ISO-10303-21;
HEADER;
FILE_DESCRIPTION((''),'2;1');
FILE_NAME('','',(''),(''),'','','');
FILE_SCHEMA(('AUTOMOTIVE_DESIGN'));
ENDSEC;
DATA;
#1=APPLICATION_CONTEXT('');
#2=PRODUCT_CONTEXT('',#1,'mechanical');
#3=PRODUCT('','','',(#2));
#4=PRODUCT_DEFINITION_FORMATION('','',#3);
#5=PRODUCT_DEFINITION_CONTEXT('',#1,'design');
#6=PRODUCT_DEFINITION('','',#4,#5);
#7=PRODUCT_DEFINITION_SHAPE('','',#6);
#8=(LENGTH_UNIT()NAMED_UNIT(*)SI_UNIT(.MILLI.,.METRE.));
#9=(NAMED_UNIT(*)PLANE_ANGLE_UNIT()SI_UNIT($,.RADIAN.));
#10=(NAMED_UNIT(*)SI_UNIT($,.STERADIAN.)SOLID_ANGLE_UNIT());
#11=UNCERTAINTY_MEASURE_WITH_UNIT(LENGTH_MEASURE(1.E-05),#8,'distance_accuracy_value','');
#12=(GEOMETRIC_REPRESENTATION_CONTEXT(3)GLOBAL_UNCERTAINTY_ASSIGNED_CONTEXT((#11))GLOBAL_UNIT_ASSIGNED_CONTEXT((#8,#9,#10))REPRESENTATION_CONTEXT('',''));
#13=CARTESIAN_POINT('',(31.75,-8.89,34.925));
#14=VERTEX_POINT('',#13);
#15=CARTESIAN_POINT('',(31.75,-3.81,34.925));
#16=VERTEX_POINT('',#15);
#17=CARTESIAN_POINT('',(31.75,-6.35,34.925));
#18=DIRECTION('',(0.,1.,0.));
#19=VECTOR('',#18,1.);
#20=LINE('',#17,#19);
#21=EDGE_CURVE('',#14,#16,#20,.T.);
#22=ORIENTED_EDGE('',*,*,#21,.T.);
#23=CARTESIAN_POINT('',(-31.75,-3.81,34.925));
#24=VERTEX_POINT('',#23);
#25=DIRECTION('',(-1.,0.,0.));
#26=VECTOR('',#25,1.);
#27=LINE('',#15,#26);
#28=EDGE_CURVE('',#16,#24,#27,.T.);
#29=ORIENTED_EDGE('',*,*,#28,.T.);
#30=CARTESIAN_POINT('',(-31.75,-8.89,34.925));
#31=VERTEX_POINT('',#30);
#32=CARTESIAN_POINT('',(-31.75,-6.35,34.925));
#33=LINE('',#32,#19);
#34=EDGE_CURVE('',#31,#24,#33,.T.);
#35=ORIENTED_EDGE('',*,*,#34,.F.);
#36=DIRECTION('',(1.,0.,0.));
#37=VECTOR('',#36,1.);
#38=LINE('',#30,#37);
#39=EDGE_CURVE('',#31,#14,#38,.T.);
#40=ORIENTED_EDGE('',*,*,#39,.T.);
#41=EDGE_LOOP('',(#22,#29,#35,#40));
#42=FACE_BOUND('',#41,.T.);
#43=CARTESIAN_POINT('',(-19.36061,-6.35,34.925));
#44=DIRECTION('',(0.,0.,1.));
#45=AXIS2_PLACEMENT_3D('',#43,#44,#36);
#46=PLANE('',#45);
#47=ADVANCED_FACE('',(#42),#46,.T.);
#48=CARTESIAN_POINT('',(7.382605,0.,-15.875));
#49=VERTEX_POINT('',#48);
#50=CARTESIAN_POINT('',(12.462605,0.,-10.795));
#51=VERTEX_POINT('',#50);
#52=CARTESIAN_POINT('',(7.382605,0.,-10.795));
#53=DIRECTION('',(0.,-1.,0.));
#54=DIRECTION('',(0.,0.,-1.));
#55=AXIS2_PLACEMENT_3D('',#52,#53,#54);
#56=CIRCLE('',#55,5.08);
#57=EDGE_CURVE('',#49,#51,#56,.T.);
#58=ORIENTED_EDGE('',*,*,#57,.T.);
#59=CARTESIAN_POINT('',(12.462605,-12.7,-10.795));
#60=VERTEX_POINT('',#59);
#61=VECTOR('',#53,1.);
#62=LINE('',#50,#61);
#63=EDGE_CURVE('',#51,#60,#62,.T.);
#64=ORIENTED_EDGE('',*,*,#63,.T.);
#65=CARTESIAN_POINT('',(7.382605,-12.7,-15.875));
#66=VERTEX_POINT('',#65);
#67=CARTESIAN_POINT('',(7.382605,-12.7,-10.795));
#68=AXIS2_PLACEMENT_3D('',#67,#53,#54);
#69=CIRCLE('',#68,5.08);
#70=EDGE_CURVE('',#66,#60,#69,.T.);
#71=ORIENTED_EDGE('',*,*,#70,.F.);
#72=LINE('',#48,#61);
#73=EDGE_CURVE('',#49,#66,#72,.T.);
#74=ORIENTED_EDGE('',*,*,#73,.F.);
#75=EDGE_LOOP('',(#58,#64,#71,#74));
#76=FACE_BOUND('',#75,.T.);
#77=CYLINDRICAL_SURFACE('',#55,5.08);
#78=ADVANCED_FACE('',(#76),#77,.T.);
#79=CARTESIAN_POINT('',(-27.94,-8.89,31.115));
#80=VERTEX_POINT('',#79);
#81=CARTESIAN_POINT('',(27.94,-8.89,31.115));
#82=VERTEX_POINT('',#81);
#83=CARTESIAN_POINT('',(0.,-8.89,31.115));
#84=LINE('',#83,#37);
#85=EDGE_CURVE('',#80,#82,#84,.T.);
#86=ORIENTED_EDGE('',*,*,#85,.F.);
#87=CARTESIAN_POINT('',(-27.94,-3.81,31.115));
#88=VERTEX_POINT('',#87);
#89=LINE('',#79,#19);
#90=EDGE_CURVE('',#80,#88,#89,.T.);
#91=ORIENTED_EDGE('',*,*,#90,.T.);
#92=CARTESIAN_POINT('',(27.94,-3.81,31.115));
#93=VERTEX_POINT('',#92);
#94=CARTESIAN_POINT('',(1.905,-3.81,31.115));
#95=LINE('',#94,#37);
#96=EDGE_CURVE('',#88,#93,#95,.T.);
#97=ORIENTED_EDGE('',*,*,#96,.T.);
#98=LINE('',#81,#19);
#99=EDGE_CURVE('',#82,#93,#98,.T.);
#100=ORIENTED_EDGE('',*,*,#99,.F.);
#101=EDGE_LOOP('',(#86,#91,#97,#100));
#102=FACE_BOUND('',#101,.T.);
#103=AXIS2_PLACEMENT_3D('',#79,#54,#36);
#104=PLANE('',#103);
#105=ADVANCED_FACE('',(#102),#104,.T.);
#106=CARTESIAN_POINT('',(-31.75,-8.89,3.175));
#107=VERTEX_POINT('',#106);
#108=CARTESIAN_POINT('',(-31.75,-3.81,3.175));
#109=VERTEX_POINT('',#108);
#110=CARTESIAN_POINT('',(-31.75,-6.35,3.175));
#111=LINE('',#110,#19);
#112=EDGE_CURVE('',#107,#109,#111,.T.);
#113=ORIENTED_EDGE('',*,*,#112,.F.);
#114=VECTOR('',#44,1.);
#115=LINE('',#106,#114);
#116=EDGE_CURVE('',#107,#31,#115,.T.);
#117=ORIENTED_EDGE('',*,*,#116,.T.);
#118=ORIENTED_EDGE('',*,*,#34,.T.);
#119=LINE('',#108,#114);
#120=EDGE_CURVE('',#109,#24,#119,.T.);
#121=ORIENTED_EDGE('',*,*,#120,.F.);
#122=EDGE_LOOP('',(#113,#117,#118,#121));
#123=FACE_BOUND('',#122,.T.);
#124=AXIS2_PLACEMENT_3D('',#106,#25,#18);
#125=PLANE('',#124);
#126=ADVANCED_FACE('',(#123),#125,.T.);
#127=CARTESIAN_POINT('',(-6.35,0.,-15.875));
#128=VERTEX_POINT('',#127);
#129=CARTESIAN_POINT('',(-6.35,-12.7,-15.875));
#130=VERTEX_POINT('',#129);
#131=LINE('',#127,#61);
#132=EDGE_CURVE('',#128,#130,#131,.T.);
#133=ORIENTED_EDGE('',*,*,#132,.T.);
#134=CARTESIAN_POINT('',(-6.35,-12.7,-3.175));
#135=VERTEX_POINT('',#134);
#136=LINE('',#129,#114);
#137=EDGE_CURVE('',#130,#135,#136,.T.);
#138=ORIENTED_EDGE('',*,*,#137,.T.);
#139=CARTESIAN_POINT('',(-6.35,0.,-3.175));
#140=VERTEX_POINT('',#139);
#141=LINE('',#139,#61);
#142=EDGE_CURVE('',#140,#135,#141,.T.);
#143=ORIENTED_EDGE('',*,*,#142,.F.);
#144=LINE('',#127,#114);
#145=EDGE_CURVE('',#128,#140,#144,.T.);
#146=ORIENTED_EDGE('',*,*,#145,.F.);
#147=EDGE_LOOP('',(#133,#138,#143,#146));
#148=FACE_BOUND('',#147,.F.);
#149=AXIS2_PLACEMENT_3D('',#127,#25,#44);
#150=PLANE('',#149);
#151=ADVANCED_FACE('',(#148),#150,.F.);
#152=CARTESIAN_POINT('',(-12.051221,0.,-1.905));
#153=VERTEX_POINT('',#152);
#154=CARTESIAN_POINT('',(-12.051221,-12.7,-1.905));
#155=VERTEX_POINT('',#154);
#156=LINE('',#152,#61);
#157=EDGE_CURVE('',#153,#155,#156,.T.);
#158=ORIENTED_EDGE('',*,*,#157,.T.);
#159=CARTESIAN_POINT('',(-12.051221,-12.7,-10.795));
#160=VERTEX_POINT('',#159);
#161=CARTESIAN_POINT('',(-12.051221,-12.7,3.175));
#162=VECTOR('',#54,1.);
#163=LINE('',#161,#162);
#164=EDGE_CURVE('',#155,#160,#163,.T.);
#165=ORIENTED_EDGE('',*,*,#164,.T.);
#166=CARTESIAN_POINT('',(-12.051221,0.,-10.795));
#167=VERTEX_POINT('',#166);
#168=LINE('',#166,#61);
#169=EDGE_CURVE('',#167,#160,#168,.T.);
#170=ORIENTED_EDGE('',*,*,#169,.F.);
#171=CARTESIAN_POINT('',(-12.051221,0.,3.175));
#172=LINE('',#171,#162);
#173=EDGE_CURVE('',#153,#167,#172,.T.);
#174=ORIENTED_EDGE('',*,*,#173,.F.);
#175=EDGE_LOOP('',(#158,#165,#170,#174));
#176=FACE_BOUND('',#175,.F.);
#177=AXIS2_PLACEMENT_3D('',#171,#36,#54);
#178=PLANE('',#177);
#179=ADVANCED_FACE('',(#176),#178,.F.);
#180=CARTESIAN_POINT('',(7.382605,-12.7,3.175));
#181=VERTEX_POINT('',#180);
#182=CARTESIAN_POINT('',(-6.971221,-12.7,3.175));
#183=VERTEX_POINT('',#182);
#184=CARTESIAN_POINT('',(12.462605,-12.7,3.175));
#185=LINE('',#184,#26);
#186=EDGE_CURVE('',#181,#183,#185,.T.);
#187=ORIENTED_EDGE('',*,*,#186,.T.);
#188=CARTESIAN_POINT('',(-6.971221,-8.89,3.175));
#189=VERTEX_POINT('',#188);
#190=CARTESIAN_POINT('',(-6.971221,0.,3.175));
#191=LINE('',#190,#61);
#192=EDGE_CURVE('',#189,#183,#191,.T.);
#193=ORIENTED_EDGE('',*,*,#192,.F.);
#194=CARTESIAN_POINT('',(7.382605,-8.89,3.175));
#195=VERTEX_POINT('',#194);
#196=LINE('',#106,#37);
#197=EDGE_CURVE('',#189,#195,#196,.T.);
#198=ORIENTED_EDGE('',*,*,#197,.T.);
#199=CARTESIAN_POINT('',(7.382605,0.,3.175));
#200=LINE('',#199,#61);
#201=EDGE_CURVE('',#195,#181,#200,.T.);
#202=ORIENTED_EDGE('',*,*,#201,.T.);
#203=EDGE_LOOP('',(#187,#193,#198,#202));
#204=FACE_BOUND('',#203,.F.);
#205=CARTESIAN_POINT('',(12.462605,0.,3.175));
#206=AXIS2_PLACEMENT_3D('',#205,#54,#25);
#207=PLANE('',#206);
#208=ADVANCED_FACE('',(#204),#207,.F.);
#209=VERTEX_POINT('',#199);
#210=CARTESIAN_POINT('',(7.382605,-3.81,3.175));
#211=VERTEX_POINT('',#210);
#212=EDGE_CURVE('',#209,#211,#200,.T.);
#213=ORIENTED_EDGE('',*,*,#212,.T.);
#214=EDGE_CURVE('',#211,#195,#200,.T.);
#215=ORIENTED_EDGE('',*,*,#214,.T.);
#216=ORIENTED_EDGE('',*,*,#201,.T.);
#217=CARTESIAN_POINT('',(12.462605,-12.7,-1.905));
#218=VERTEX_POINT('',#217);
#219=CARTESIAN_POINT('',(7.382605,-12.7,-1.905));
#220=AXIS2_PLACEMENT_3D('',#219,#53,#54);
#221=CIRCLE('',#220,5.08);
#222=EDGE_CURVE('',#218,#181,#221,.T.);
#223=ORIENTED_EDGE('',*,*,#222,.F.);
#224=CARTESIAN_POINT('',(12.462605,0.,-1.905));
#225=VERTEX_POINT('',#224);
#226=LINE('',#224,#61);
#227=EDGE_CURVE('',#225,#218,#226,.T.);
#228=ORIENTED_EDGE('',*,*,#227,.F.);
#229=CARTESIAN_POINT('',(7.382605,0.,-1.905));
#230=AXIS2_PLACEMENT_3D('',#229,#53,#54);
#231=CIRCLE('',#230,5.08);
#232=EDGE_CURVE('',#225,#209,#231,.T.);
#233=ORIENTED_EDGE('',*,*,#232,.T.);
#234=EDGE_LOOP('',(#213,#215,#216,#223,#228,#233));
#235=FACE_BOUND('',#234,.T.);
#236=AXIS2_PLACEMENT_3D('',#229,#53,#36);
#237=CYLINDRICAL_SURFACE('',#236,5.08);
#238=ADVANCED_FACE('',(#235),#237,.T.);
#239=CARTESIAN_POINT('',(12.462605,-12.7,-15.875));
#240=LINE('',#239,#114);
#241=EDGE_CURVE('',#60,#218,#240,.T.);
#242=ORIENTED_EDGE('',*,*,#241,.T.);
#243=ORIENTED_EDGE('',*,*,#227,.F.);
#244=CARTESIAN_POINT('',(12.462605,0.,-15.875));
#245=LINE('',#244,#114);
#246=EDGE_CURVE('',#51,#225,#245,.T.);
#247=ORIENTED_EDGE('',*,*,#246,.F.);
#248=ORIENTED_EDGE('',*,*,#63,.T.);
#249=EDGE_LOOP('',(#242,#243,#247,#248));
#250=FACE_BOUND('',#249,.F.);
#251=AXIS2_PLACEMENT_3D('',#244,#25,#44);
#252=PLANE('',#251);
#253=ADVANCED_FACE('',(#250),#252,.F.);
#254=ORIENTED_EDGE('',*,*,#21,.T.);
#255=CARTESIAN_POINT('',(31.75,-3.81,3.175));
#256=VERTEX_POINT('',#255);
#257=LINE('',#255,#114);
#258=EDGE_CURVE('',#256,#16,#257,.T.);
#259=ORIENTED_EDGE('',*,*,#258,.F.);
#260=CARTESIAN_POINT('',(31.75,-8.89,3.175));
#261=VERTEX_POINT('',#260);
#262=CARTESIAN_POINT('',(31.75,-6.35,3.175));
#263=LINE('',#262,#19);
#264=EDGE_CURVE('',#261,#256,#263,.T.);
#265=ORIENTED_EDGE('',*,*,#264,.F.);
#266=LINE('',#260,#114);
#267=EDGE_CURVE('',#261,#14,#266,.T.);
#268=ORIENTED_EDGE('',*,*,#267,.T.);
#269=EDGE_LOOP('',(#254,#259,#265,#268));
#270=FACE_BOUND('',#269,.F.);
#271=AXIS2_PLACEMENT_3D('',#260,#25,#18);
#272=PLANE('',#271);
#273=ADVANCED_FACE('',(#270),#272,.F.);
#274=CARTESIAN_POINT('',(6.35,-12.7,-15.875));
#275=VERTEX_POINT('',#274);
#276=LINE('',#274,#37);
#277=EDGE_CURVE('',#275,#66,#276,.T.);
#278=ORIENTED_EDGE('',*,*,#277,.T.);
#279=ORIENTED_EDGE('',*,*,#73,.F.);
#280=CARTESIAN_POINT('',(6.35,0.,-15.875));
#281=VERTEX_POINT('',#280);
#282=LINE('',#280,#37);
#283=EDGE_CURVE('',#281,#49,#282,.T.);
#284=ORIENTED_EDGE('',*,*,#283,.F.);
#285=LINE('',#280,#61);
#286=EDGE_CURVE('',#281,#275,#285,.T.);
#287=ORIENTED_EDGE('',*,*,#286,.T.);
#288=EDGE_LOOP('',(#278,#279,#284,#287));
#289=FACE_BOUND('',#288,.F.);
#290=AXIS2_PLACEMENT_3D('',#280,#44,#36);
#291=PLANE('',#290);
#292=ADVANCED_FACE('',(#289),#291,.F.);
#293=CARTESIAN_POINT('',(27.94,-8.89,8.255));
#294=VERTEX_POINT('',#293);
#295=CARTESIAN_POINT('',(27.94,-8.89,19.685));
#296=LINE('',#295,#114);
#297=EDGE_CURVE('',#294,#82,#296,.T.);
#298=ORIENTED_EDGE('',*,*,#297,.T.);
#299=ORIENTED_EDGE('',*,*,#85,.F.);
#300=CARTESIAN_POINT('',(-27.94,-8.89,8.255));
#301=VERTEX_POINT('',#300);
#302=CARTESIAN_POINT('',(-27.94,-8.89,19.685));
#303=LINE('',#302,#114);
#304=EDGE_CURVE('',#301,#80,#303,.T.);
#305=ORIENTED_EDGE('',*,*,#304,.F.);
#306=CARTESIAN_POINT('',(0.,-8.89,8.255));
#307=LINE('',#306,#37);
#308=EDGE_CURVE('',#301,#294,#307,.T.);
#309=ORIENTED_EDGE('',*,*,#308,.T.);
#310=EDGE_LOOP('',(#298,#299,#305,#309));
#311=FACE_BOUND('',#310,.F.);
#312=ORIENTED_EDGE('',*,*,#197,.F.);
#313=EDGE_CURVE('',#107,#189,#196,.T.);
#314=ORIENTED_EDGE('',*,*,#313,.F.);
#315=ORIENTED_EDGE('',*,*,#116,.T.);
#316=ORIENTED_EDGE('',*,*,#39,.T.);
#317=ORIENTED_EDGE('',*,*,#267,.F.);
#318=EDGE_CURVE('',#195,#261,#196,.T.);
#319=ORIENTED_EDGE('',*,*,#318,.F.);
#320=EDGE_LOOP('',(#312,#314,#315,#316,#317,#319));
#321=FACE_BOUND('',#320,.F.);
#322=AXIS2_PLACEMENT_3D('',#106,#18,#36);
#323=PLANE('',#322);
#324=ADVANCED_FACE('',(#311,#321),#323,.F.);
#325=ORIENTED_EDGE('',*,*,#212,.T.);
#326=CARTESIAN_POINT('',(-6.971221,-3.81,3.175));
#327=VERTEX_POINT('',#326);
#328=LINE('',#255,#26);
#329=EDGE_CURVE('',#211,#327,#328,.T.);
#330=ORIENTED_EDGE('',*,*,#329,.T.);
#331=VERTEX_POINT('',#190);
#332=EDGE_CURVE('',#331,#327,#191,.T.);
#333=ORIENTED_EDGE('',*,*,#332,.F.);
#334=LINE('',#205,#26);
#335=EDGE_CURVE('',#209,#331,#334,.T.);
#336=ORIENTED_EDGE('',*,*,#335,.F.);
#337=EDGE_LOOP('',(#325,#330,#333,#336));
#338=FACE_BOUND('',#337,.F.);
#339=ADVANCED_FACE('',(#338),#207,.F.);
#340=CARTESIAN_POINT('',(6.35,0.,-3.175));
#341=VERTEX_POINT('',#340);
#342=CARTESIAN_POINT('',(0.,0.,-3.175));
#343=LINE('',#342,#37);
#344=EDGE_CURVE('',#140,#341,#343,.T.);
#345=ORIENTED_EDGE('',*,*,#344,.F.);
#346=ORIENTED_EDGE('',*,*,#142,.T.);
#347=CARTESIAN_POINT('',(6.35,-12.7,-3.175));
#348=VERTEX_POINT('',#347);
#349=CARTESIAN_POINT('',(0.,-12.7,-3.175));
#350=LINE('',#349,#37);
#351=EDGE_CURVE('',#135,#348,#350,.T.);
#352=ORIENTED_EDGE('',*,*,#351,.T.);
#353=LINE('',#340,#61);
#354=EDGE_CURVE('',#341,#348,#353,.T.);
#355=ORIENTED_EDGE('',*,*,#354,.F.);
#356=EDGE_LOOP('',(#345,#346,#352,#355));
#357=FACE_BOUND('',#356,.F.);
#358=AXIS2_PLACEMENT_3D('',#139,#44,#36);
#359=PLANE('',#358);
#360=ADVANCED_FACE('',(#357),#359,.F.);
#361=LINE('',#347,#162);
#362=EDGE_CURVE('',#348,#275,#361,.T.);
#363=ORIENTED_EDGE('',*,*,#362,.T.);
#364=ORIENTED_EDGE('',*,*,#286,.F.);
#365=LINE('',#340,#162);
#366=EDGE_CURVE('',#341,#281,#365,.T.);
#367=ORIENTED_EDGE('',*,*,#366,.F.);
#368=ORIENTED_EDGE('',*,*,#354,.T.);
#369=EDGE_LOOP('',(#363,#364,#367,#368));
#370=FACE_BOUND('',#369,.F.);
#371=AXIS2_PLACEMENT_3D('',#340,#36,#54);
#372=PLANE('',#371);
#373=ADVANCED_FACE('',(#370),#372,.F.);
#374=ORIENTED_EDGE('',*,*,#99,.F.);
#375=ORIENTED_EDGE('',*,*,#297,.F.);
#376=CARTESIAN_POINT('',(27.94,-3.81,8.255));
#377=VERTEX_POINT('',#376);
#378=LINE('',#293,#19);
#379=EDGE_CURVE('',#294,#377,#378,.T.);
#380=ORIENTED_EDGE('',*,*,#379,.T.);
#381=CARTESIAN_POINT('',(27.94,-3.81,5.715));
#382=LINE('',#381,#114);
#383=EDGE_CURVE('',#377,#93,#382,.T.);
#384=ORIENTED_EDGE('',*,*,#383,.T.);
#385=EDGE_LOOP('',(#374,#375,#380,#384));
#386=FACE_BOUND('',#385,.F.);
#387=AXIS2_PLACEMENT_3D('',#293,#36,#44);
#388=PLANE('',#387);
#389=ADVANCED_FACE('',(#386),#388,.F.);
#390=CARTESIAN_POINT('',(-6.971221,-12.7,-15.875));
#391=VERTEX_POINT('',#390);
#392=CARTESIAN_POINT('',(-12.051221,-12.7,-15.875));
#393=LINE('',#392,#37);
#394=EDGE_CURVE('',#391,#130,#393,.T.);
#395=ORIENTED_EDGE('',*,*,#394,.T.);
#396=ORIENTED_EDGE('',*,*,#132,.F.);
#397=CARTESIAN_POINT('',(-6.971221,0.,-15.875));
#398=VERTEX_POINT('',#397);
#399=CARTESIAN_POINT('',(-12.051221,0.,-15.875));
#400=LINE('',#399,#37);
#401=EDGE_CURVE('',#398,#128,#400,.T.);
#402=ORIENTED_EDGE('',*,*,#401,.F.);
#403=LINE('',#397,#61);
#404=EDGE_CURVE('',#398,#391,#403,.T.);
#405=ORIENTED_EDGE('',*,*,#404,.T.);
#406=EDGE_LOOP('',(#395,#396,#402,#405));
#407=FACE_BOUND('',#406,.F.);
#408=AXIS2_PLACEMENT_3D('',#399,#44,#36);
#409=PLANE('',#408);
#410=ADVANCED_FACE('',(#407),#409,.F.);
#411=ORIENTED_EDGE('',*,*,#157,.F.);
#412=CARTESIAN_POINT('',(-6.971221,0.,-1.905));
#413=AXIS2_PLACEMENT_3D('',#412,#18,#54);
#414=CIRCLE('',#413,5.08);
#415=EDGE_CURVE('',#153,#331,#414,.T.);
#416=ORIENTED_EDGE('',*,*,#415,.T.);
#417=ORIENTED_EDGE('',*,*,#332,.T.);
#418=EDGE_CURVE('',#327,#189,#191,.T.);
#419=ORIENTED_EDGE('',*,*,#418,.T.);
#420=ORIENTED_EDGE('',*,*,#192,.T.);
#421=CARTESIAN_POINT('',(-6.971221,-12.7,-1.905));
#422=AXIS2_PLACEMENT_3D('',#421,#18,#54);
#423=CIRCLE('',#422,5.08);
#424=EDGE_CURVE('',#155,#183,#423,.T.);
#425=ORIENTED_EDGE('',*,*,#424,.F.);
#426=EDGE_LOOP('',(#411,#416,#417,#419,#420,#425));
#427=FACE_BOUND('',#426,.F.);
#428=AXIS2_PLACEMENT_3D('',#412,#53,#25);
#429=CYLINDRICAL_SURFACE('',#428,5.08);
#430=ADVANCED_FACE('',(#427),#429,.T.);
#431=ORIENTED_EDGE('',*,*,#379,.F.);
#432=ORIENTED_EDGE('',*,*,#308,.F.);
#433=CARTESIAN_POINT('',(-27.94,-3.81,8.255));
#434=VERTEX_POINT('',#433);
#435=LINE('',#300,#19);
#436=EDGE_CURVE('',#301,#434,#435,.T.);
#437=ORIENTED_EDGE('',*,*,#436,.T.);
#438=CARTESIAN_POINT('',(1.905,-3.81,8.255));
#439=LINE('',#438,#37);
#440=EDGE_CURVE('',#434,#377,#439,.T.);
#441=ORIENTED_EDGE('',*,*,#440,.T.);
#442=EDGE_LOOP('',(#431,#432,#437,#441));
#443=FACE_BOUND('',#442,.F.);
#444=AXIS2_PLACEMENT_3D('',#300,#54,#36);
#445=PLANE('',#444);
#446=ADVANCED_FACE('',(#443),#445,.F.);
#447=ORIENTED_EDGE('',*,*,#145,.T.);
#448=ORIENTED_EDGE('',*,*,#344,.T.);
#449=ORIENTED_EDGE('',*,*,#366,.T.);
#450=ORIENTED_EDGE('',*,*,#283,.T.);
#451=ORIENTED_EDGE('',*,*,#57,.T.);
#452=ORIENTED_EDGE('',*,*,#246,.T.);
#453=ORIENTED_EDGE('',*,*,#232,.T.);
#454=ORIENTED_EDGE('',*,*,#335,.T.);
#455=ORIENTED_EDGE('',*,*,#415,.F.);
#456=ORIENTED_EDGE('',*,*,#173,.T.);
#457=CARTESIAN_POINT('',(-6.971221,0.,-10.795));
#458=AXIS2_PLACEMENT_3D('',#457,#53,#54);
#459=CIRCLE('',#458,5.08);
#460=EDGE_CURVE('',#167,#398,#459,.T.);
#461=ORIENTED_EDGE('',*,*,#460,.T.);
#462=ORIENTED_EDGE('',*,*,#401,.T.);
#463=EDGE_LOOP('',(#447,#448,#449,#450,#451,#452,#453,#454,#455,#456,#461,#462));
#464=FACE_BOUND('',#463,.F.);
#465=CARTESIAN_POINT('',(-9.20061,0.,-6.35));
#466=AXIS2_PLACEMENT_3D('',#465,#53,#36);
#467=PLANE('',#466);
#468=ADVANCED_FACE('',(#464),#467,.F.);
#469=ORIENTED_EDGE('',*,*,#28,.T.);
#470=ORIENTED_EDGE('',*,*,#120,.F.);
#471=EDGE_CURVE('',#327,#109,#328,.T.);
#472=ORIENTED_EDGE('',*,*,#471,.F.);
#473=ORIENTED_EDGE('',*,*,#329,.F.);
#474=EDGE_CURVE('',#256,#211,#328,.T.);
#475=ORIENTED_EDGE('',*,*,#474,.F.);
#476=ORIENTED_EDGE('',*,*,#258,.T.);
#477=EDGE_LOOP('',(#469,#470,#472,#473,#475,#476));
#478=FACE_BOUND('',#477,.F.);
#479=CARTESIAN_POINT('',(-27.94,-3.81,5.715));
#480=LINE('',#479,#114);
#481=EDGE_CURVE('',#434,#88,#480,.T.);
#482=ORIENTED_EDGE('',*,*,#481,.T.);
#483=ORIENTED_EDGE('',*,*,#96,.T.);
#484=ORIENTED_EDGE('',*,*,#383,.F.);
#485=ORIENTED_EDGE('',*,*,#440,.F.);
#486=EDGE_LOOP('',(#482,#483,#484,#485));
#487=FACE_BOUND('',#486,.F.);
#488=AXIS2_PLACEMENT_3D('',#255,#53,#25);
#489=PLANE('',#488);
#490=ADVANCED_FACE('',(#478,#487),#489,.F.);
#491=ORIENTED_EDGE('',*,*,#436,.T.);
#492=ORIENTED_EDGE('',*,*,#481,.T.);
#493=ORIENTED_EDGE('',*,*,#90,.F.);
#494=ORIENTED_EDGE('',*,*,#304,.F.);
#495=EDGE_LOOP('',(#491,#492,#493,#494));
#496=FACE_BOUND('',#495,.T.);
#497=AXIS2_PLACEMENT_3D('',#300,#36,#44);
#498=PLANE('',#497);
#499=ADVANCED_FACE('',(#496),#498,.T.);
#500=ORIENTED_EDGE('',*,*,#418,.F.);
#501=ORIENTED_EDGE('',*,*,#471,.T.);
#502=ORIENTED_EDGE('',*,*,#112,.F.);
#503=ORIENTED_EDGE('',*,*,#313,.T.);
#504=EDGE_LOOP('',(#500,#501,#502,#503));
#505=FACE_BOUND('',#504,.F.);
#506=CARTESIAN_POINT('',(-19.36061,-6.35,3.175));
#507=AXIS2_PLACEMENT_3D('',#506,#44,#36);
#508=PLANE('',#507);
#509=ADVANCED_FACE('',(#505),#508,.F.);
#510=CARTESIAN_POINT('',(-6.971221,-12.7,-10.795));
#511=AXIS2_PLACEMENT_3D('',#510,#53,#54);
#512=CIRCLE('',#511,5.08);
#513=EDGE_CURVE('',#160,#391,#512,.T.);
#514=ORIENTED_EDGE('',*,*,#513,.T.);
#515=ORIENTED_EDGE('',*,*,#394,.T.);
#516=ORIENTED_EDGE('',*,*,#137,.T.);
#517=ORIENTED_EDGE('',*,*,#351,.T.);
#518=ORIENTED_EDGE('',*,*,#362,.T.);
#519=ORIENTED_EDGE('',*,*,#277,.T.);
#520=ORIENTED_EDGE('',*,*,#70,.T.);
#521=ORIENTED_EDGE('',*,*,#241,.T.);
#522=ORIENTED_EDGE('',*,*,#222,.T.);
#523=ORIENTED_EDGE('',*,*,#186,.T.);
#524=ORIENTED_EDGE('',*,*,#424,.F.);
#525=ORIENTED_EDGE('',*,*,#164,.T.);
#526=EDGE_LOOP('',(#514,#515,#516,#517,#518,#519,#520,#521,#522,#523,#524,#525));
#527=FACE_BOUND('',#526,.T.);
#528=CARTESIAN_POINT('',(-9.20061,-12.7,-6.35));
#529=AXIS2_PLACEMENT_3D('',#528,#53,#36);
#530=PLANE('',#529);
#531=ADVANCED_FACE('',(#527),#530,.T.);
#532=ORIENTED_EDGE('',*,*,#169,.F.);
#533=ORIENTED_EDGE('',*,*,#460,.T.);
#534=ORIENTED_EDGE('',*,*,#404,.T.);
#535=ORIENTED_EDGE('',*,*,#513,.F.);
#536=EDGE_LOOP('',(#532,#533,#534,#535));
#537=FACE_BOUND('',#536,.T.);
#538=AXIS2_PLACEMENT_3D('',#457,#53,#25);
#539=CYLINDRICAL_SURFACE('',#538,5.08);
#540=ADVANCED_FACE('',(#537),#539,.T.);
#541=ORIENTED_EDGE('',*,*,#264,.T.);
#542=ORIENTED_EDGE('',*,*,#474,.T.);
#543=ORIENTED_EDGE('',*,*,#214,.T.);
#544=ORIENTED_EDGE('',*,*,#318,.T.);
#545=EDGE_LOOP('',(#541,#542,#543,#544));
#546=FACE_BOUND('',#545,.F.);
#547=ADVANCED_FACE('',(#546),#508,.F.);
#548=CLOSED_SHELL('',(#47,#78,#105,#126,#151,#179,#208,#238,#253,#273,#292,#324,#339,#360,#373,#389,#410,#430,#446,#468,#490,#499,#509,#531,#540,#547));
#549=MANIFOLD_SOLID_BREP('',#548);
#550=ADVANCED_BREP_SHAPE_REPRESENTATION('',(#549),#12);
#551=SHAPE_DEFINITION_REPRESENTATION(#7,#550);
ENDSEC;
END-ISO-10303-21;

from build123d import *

# Parameters (mm, degrees)
F0_W     = 12.7
F0_H     = 6.35
F1_DEPTH = 12.7
F2_R     = 5.08
F3_W     = 24.7787790167
F3_H     = 5.08
F3_W_2   = 24.3673952091
F3_W_3   = 14.3538257742
F4_DEPTH = 31.75
F5_W     = 55.88
F5_H     = 22.86
F6_DEPTH = 25.4


with BuildPart() as f1:
    # F0 (on Front) → F1 (new body)
    with BuildSketch(Plane.XZ):
        Polygon((-6.35, -3.175), (-6.35, 3.175), (-12.0512209833, 3.175), (-12.0512209833, -15.875), (-6.35, -15.875), align=None)
        Rectangle(F0_W, F0_H)
        Polygon((12.4626047909, 3.175), (6.35, 3.175), (6.35, -3.175), (6.35, -15.875), (12.4626047909, -15.875), align=None)
    extrude(amount=F1_DEPTH)

    # F2
    f2_edges = [f1.edges().sort_by_distance(p)[0] for p in [
        (-12.051221, -6.35, 3.175),
        (12.462605, -6.35, 3.175),
        (-12.051221, -6.35, -15.875),
        (12.462605, -6.35, -15.875),
    ]]
    fillet(f2_edges, radius=F2_R)

    # F3 (on face) → F4 (join)
    with BuildSketch(Plane.XY.offset(3.175)):
        with Locations((-19.3606104916, -6.35)):
            Rectangle(F3_W, F3_H)
        with Locations((19.5663023955, -6.35)):
            Rectangle(F3_W_2, F3_H)
        with Locations((0.2056919038, -6.35)):
            Rectangle(F3_W_3, F3_H)
    extrude(amount=F4_DEPTH)

    # F5 (on face) → F6 (cut)
    with BuildSketch(Plane.XZ.offset(8.89)):
        with Locations((0, 19.685)):
            Rectangle(F5_W, F5_H)
    extrude(amount=-F6_DEPTH, mode=Mode.SUBTRACT)


solid = f1.part
